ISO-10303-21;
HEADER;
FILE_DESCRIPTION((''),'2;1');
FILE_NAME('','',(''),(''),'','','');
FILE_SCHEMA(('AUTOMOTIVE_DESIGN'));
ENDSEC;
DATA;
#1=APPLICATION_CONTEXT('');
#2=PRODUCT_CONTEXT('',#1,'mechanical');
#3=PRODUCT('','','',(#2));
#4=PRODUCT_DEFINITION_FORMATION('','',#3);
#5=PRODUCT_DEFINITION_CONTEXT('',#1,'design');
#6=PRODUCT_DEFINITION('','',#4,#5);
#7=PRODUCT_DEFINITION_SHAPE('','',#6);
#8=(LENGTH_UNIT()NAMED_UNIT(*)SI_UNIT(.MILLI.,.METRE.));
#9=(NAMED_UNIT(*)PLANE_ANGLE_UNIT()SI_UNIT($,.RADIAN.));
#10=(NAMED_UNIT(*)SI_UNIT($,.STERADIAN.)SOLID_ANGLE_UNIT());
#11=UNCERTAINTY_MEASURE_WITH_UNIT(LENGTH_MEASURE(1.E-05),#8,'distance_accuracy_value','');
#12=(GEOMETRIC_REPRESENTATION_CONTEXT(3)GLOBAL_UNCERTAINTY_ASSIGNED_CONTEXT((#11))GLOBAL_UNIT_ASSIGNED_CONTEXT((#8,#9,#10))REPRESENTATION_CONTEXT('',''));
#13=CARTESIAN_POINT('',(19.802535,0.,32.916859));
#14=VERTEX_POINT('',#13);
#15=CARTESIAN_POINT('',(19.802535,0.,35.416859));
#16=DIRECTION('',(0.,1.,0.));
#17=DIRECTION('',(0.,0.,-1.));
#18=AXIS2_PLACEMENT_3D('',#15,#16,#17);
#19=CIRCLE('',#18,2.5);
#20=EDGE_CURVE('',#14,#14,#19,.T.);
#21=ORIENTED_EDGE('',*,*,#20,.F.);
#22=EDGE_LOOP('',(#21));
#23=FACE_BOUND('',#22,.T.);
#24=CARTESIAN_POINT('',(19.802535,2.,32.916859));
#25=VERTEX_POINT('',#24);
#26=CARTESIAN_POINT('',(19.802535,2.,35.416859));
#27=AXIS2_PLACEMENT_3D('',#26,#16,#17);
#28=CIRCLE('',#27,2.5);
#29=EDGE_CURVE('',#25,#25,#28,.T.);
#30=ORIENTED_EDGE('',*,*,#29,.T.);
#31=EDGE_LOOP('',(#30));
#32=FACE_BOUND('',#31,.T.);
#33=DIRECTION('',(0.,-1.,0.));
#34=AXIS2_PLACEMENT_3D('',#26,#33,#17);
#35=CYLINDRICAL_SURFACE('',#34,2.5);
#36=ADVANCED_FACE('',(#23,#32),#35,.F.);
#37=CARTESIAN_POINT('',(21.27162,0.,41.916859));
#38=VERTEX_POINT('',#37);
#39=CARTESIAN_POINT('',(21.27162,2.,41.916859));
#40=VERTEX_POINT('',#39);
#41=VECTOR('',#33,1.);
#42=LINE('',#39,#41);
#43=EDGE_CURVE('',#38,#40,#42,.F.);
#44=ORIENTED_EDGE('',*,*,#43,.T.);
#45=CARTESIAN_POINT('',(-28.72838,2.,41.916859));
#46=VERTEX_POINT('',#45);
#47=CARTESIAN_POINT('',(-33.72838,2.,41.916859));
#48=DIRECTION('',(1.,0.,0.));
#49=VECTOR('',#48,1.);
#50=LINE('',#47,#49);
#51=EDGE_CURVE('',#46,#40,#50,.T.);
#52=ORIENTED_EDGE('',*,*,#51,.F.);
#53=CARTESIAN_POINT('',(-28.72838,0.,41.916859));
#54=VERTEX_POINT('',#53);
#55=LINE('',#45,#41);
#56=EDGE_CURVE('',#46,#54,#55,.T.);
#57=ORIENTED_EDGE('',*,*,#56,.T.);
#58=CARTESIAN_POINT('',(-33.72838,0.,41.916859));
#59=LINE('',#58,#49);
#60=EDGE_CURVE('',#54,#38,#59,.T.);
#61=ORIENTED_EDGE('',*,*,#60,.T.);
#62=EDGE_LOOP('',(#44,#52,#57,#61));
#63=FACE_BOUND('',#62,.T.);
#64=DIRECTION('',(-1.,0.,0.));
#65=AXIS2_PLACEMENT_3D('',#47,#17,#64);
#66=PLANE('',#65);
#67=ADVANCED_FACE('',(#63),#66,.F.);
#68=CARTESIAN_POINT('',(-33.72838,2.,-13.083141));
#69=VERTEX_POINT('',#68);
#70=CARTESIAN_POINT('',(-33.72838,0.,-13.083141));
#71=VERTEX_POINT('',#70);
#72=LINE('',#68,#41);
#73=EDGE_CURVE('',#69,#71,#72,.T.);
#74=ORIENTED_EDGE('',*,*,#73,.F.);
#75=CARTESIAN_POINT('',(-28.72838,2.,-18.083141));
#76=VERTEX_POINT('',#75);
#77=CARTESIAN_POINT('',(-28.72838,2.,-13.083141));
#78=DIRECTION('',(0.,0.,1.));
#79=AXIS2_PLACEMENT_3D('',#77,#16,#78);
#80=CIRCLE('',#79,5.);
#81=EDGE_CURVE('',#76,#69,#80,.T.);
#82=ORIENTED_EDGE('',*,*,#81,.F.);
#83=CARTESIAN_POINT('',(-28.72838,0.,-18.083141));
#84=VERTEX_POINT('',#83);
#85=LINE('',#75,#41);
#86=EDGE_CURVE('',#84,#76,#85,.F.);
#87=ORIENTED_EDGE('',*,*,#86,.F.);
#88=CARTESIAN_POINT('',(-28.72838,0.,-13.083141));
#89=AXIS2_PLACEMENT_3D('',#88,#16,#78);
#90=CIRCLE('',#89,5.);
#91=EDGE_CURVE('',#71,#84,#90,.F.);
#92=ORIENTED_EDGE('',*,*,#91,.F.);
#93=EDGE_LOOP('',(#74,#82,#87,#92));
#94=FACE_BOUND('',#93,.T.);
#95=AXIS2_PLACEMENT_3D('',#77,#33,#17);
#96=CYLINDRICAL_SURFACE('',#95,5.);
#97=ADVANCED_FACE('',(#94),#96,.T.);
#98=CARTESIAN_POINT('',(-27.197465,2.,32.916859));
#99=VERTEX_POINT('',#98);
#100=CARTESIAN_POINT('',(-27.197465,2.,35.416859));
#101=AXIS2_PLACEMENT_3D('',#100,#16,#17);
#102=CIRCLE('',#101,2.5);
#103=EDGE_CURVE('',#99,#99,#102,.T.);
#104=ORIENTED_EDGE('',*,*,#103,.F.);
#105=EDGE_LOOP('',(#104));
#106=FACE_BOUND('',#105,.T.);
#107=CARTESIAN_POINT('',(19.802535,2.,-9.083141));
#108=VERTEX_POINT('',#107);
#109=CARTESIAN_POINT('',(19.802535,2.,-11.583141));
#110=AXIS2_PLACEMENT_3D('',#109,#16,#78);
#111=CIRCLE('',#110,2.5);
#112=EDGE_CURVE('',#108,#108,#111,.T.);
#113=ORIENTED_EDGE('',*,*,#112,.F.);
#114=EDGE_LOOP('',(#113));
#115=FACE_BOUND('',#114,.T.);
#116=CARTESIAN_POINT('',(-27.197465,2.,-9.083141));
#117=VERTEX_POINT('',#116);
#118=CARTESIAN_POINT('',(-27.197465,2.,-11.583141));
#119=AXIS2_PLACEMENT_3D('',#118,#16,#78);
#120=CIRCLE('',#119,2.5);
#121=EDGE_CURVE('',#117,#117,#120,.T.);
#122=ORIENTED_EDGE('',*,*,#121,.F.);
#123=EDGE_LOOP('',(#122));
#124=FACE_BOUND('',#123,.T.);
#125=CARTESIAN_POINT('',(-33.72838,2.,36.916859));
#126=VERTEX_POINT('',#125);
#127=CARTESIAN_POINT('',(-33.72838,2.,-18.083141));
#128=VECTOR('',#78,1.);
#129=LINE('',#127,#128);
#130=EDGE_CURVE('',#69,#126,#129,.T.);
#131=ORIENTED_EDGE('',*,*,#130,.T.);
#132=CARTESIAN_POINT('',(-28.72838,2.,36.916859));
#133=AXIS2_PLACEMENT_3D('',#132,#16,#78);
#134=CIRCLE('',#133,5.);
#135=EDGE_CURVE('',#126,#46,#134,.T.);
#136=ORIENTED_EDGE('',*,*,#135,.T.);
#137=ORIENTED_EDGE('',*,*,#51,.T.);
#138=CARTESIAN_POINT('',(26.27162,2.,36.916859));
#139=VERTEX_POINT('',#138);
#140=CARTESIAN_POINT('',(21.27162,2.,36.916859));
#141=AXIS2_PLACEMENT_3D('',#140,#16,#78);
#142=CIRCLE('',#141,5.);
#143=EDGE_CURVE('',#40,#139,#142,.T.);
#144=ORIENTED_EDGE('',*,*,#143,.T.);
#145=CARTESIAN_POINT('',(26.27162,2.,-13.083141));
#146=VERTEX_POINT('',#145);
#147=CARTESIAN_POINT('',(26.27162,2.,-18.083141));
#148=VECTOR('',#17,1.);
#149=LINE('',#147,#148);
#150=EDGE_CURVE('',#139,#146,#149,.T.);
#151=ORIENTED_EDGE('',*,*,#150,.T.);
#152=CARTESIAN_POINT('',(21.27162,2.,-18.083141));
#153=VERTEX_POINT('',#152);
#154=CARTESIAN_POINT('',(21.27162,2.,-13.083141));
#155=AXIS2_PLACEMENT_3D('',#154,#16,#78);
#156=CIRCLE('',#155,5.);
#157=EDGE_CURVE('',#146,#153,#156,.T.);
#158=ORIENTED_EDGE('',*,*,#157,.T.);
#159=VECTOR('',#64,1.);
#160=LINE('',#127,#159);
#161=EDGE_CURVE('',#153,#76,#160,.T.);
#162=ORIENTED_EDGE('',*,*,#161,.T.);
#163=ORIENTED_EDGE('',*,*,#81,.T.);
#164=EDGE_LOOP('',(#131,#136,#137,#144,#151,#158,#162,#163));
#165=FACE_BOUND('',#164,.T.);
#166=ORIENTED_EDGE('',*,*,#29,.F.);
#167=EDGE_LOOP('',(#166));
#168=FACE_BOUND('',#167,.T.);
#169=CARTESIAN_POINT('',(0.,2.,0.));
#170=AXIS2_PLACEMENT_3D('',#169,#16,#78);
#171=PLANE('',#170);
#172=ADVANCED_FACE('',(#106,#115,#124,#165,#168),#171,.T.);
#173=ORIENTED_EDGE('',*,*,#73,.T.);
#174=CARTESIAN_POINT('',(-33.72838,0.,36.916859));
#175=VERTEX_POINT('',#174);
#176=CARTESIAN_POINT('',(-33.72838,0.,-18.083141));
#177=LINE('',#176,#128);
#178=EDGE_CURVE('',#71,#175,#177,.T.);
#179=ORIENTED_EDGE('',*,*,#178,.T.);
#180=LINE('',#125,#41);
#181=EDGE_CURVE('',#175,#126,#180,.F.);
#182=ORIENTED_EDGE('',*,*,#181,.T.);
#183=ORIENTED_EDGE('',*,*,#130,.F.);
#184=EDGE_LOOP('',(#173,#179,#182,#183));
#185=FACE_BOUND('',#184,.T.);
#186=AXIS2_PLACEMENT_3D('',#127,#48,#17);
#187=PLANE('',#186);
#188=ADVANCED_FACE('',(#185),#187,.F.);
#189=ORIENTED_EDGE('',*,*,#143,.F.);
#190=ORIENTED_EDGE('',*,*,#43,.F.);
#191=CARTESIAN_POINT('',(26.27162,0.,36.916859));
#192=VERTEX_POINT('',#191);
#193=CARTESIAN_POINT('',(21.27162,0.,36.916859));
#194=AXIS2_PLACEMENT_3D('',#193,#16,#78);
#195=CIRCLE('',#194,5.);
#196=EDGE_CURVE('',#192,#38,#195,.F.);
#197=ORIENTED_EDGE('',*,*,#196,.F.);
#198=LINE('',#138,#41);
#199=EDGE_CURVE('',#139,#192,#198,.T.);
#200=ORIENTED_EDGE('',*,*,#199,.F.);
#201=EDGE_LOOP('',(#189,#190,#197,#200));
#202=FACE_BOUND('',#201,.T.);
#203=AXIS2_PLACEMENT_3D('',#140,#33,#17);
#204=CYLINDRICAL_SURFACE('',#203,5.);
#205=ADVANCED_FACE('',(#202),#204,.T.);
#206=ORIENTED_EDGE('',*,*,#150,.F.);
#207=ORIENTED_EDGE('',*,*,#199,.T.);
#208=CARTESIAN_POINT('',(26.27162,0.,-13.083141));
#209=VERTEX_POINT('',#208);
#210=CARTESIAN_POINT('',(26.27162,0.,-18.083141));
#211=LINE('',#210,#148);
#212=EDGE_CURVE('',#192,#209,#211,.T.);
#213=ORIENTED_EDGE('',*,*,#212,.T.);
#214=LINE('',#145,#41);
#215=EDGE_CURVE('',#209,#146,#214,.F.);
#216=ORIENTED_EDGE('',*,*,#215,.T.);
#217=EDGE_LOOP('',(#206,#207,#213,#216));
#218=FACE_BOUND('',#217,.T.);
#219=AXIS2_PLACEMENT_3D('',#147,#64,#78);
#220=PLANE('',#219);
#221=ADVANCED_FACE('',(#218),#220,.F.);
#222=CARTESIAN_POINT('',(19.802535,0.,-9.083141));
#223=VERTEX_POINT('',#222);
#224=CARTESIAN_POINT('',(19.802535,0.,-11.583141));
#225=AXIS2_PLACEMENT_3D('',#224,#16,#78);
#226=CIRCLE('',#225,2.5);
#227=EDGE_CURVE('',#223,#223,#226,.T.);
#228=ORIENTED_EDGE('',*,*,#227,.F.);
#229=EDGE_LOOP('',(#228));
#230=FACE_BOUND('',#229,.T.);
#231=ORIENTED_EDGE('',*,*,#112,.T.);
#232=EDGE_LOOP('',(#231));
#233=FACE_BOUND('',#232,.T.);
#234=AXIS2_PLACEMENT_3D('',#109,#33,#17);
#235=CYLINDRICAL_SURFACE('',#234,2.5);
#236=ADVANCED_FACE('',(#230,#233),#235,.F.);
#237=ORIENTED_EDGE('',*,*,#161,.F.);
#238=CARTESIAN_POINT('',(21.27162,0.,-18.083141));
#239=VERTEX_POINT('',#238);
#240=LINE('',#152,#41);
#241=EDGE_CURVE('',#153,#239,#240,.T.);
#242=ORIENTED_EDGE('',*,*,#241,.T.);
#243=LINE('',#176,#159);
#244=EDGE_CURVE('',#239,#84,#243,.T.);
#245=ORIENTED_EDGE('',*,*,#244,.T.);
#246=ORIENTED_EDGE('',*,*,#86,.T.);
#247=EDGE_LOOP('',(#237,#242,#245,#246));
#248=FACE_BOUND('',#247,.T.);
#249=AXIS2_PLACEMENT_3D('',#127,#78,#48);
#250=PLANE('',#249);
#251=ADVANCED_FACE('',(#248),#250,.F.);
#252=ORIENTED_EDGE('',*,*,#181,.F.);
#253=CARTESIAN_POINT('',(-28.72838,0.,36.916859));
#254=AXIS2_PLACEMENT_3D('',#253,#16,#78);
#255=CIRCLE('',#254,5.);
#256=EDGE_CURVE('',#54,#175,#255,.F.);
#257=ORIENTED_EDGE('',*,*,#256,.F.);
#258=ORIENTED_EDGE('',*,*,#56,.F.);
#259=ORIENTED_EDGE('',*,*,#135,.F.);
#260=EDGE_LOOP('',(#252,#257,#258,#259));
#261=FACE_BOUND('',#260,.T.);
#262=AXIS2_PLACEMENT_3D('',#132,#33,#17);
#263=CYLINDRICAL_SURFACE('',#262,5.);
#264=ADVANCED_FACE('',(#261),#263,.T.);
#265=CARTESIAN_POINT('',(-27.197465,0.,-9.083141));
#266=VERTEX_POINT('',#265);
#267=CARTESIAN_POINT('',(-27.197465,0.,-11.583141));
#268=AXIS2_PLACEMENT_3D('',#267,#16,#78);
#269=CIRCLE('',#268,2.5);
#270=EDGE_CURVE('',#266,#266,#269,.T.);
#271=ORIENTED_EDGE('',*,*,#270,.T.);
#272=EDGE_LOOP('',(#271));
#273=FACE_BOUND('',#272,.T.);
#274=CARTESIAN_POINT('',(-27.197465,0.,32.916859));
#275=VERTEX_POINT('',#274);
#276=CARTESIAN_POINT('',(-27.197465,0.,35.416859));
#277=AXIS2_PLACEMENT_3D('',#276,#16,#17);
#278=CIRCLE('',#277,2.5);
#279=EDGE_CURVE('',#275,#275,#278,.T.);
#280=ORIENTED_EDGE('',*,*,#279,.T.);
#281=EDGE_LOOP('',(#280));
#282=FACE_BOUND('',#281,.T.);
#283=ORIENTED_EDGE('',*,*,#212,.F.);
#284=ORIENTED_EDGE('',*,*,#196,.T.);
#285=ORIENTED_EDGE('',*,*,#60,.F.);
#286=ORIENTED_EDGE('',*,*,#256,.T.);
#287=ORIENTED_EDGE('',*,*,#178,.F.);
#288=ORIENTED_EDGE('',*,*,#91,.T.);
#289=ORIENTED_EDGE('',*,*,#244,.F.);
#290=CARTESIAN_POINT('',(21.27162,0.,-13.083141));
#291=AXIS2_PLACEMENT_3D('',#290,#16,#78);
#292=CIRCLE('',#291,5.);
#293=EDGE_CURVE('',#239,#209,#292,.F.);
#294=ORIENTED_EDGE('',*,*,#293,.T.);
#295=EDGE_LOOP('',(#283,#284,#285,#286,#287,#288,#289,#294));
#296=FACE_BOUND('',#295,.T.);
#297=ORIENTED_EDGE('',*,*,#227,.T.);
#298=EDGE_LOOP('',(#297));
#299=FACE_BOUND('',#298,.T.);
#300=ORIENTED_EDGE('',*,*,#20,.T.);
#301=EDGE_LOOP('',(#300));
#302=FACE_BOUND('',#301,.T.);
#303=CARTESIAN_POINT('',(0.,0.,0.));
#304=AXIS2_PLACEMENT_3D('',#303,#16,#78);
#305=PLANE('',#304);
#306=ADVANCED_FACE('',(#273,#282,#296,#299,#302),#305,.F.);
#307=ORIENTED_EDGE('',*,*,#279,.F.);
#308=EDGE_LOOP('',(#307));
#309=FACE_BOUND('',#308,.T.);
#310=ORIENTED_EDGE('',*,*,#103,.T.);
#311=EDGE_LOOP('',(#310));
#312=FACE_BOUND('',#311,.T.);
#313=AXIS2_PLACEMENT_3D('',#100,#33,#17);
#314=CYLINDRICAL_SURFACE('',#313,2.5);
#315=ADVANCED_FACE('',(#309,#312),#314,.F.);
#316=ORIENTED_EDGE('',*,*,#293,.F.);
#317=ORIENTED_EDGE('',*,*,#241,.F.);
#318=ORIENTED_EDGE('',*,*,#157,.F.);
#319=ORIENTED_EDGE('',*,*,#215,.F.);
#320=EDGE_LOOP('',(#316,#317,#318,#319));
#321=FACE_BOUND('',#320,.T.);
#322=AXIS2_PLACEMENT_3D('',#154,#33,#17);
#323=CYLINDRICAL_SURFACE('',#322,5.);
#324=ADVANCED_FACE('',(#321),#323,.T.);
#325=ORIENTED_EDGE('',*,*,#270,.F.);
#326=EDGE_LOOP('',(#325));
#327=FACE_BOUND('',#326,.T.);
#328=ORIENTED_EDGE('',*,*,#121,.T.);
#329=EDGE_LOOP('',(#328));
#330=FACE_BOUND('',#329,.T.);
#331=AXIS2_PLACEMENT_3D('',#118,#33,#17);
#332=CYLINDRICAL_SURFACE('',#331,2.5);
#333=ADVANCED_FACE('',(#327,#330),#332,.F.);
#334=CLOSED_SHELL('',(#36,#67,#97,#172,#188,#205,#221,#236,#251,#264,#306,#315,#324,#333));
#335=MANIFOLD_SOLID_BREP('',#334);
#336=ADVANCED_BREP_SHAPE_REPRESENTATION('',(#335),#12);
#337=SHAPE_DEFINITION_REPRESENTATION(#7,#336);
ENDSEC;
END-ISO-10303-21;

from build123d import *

# Parameters (mm, degrees)
SKETCH1_W           = 60
SKETCH1_H           = 60
SKETCH1_R           = 2.5
BOSS_EXTRUDE1_DEPTH = 2
FILLET1_R           = 5


with BuildPart() as part:
    # Sketch1 → Boss-Extrude1 (new body)
    with BuildSketch(Plane(origin=(0, 0, 0), x_dir=(1, 0, 0), z_dir=(0, 1, 0))):
        with Locations((-3.72837965, -11.916859122)):
            Rectangle(SKETCH1_W, SKETCH1_H)
        with Locations((19.802535265, 11.583140878)):
            Circle(SKETCH1_R, mode=Mode.SUBTRACT)
        with Locations((-27.197464735, 11.583140878)):
            Circle(SKETCH1_R, mode=Mode.SUBTRACT)
        with Locations((19.802535265, -35.416859122)):
            Circle(SKETCH1_R, mode=Mode.SUBTRACT)
        with Locations((-27.197464735, -35.416859122)):
            Circle(SKETCH1_R, mode=Mode.SUBTRACT)
    extrude(amount=BOSS_EXTRUDE1_DEPTH)

    # Fillet1
    fillet1_edges = [part.edges().sort_by_distance(p)[0] for p in [
        (-33.72837965, 1, -18.083140878),
        (26.27162035, 1, -18.083140878),
        (26.27162035, 1, 41.916859122),
        (-33.72837965, 1, 41.916859122),
    ]]
    fillet(fillet1_edges, radius=FILLET1_R)


solid = part.part
